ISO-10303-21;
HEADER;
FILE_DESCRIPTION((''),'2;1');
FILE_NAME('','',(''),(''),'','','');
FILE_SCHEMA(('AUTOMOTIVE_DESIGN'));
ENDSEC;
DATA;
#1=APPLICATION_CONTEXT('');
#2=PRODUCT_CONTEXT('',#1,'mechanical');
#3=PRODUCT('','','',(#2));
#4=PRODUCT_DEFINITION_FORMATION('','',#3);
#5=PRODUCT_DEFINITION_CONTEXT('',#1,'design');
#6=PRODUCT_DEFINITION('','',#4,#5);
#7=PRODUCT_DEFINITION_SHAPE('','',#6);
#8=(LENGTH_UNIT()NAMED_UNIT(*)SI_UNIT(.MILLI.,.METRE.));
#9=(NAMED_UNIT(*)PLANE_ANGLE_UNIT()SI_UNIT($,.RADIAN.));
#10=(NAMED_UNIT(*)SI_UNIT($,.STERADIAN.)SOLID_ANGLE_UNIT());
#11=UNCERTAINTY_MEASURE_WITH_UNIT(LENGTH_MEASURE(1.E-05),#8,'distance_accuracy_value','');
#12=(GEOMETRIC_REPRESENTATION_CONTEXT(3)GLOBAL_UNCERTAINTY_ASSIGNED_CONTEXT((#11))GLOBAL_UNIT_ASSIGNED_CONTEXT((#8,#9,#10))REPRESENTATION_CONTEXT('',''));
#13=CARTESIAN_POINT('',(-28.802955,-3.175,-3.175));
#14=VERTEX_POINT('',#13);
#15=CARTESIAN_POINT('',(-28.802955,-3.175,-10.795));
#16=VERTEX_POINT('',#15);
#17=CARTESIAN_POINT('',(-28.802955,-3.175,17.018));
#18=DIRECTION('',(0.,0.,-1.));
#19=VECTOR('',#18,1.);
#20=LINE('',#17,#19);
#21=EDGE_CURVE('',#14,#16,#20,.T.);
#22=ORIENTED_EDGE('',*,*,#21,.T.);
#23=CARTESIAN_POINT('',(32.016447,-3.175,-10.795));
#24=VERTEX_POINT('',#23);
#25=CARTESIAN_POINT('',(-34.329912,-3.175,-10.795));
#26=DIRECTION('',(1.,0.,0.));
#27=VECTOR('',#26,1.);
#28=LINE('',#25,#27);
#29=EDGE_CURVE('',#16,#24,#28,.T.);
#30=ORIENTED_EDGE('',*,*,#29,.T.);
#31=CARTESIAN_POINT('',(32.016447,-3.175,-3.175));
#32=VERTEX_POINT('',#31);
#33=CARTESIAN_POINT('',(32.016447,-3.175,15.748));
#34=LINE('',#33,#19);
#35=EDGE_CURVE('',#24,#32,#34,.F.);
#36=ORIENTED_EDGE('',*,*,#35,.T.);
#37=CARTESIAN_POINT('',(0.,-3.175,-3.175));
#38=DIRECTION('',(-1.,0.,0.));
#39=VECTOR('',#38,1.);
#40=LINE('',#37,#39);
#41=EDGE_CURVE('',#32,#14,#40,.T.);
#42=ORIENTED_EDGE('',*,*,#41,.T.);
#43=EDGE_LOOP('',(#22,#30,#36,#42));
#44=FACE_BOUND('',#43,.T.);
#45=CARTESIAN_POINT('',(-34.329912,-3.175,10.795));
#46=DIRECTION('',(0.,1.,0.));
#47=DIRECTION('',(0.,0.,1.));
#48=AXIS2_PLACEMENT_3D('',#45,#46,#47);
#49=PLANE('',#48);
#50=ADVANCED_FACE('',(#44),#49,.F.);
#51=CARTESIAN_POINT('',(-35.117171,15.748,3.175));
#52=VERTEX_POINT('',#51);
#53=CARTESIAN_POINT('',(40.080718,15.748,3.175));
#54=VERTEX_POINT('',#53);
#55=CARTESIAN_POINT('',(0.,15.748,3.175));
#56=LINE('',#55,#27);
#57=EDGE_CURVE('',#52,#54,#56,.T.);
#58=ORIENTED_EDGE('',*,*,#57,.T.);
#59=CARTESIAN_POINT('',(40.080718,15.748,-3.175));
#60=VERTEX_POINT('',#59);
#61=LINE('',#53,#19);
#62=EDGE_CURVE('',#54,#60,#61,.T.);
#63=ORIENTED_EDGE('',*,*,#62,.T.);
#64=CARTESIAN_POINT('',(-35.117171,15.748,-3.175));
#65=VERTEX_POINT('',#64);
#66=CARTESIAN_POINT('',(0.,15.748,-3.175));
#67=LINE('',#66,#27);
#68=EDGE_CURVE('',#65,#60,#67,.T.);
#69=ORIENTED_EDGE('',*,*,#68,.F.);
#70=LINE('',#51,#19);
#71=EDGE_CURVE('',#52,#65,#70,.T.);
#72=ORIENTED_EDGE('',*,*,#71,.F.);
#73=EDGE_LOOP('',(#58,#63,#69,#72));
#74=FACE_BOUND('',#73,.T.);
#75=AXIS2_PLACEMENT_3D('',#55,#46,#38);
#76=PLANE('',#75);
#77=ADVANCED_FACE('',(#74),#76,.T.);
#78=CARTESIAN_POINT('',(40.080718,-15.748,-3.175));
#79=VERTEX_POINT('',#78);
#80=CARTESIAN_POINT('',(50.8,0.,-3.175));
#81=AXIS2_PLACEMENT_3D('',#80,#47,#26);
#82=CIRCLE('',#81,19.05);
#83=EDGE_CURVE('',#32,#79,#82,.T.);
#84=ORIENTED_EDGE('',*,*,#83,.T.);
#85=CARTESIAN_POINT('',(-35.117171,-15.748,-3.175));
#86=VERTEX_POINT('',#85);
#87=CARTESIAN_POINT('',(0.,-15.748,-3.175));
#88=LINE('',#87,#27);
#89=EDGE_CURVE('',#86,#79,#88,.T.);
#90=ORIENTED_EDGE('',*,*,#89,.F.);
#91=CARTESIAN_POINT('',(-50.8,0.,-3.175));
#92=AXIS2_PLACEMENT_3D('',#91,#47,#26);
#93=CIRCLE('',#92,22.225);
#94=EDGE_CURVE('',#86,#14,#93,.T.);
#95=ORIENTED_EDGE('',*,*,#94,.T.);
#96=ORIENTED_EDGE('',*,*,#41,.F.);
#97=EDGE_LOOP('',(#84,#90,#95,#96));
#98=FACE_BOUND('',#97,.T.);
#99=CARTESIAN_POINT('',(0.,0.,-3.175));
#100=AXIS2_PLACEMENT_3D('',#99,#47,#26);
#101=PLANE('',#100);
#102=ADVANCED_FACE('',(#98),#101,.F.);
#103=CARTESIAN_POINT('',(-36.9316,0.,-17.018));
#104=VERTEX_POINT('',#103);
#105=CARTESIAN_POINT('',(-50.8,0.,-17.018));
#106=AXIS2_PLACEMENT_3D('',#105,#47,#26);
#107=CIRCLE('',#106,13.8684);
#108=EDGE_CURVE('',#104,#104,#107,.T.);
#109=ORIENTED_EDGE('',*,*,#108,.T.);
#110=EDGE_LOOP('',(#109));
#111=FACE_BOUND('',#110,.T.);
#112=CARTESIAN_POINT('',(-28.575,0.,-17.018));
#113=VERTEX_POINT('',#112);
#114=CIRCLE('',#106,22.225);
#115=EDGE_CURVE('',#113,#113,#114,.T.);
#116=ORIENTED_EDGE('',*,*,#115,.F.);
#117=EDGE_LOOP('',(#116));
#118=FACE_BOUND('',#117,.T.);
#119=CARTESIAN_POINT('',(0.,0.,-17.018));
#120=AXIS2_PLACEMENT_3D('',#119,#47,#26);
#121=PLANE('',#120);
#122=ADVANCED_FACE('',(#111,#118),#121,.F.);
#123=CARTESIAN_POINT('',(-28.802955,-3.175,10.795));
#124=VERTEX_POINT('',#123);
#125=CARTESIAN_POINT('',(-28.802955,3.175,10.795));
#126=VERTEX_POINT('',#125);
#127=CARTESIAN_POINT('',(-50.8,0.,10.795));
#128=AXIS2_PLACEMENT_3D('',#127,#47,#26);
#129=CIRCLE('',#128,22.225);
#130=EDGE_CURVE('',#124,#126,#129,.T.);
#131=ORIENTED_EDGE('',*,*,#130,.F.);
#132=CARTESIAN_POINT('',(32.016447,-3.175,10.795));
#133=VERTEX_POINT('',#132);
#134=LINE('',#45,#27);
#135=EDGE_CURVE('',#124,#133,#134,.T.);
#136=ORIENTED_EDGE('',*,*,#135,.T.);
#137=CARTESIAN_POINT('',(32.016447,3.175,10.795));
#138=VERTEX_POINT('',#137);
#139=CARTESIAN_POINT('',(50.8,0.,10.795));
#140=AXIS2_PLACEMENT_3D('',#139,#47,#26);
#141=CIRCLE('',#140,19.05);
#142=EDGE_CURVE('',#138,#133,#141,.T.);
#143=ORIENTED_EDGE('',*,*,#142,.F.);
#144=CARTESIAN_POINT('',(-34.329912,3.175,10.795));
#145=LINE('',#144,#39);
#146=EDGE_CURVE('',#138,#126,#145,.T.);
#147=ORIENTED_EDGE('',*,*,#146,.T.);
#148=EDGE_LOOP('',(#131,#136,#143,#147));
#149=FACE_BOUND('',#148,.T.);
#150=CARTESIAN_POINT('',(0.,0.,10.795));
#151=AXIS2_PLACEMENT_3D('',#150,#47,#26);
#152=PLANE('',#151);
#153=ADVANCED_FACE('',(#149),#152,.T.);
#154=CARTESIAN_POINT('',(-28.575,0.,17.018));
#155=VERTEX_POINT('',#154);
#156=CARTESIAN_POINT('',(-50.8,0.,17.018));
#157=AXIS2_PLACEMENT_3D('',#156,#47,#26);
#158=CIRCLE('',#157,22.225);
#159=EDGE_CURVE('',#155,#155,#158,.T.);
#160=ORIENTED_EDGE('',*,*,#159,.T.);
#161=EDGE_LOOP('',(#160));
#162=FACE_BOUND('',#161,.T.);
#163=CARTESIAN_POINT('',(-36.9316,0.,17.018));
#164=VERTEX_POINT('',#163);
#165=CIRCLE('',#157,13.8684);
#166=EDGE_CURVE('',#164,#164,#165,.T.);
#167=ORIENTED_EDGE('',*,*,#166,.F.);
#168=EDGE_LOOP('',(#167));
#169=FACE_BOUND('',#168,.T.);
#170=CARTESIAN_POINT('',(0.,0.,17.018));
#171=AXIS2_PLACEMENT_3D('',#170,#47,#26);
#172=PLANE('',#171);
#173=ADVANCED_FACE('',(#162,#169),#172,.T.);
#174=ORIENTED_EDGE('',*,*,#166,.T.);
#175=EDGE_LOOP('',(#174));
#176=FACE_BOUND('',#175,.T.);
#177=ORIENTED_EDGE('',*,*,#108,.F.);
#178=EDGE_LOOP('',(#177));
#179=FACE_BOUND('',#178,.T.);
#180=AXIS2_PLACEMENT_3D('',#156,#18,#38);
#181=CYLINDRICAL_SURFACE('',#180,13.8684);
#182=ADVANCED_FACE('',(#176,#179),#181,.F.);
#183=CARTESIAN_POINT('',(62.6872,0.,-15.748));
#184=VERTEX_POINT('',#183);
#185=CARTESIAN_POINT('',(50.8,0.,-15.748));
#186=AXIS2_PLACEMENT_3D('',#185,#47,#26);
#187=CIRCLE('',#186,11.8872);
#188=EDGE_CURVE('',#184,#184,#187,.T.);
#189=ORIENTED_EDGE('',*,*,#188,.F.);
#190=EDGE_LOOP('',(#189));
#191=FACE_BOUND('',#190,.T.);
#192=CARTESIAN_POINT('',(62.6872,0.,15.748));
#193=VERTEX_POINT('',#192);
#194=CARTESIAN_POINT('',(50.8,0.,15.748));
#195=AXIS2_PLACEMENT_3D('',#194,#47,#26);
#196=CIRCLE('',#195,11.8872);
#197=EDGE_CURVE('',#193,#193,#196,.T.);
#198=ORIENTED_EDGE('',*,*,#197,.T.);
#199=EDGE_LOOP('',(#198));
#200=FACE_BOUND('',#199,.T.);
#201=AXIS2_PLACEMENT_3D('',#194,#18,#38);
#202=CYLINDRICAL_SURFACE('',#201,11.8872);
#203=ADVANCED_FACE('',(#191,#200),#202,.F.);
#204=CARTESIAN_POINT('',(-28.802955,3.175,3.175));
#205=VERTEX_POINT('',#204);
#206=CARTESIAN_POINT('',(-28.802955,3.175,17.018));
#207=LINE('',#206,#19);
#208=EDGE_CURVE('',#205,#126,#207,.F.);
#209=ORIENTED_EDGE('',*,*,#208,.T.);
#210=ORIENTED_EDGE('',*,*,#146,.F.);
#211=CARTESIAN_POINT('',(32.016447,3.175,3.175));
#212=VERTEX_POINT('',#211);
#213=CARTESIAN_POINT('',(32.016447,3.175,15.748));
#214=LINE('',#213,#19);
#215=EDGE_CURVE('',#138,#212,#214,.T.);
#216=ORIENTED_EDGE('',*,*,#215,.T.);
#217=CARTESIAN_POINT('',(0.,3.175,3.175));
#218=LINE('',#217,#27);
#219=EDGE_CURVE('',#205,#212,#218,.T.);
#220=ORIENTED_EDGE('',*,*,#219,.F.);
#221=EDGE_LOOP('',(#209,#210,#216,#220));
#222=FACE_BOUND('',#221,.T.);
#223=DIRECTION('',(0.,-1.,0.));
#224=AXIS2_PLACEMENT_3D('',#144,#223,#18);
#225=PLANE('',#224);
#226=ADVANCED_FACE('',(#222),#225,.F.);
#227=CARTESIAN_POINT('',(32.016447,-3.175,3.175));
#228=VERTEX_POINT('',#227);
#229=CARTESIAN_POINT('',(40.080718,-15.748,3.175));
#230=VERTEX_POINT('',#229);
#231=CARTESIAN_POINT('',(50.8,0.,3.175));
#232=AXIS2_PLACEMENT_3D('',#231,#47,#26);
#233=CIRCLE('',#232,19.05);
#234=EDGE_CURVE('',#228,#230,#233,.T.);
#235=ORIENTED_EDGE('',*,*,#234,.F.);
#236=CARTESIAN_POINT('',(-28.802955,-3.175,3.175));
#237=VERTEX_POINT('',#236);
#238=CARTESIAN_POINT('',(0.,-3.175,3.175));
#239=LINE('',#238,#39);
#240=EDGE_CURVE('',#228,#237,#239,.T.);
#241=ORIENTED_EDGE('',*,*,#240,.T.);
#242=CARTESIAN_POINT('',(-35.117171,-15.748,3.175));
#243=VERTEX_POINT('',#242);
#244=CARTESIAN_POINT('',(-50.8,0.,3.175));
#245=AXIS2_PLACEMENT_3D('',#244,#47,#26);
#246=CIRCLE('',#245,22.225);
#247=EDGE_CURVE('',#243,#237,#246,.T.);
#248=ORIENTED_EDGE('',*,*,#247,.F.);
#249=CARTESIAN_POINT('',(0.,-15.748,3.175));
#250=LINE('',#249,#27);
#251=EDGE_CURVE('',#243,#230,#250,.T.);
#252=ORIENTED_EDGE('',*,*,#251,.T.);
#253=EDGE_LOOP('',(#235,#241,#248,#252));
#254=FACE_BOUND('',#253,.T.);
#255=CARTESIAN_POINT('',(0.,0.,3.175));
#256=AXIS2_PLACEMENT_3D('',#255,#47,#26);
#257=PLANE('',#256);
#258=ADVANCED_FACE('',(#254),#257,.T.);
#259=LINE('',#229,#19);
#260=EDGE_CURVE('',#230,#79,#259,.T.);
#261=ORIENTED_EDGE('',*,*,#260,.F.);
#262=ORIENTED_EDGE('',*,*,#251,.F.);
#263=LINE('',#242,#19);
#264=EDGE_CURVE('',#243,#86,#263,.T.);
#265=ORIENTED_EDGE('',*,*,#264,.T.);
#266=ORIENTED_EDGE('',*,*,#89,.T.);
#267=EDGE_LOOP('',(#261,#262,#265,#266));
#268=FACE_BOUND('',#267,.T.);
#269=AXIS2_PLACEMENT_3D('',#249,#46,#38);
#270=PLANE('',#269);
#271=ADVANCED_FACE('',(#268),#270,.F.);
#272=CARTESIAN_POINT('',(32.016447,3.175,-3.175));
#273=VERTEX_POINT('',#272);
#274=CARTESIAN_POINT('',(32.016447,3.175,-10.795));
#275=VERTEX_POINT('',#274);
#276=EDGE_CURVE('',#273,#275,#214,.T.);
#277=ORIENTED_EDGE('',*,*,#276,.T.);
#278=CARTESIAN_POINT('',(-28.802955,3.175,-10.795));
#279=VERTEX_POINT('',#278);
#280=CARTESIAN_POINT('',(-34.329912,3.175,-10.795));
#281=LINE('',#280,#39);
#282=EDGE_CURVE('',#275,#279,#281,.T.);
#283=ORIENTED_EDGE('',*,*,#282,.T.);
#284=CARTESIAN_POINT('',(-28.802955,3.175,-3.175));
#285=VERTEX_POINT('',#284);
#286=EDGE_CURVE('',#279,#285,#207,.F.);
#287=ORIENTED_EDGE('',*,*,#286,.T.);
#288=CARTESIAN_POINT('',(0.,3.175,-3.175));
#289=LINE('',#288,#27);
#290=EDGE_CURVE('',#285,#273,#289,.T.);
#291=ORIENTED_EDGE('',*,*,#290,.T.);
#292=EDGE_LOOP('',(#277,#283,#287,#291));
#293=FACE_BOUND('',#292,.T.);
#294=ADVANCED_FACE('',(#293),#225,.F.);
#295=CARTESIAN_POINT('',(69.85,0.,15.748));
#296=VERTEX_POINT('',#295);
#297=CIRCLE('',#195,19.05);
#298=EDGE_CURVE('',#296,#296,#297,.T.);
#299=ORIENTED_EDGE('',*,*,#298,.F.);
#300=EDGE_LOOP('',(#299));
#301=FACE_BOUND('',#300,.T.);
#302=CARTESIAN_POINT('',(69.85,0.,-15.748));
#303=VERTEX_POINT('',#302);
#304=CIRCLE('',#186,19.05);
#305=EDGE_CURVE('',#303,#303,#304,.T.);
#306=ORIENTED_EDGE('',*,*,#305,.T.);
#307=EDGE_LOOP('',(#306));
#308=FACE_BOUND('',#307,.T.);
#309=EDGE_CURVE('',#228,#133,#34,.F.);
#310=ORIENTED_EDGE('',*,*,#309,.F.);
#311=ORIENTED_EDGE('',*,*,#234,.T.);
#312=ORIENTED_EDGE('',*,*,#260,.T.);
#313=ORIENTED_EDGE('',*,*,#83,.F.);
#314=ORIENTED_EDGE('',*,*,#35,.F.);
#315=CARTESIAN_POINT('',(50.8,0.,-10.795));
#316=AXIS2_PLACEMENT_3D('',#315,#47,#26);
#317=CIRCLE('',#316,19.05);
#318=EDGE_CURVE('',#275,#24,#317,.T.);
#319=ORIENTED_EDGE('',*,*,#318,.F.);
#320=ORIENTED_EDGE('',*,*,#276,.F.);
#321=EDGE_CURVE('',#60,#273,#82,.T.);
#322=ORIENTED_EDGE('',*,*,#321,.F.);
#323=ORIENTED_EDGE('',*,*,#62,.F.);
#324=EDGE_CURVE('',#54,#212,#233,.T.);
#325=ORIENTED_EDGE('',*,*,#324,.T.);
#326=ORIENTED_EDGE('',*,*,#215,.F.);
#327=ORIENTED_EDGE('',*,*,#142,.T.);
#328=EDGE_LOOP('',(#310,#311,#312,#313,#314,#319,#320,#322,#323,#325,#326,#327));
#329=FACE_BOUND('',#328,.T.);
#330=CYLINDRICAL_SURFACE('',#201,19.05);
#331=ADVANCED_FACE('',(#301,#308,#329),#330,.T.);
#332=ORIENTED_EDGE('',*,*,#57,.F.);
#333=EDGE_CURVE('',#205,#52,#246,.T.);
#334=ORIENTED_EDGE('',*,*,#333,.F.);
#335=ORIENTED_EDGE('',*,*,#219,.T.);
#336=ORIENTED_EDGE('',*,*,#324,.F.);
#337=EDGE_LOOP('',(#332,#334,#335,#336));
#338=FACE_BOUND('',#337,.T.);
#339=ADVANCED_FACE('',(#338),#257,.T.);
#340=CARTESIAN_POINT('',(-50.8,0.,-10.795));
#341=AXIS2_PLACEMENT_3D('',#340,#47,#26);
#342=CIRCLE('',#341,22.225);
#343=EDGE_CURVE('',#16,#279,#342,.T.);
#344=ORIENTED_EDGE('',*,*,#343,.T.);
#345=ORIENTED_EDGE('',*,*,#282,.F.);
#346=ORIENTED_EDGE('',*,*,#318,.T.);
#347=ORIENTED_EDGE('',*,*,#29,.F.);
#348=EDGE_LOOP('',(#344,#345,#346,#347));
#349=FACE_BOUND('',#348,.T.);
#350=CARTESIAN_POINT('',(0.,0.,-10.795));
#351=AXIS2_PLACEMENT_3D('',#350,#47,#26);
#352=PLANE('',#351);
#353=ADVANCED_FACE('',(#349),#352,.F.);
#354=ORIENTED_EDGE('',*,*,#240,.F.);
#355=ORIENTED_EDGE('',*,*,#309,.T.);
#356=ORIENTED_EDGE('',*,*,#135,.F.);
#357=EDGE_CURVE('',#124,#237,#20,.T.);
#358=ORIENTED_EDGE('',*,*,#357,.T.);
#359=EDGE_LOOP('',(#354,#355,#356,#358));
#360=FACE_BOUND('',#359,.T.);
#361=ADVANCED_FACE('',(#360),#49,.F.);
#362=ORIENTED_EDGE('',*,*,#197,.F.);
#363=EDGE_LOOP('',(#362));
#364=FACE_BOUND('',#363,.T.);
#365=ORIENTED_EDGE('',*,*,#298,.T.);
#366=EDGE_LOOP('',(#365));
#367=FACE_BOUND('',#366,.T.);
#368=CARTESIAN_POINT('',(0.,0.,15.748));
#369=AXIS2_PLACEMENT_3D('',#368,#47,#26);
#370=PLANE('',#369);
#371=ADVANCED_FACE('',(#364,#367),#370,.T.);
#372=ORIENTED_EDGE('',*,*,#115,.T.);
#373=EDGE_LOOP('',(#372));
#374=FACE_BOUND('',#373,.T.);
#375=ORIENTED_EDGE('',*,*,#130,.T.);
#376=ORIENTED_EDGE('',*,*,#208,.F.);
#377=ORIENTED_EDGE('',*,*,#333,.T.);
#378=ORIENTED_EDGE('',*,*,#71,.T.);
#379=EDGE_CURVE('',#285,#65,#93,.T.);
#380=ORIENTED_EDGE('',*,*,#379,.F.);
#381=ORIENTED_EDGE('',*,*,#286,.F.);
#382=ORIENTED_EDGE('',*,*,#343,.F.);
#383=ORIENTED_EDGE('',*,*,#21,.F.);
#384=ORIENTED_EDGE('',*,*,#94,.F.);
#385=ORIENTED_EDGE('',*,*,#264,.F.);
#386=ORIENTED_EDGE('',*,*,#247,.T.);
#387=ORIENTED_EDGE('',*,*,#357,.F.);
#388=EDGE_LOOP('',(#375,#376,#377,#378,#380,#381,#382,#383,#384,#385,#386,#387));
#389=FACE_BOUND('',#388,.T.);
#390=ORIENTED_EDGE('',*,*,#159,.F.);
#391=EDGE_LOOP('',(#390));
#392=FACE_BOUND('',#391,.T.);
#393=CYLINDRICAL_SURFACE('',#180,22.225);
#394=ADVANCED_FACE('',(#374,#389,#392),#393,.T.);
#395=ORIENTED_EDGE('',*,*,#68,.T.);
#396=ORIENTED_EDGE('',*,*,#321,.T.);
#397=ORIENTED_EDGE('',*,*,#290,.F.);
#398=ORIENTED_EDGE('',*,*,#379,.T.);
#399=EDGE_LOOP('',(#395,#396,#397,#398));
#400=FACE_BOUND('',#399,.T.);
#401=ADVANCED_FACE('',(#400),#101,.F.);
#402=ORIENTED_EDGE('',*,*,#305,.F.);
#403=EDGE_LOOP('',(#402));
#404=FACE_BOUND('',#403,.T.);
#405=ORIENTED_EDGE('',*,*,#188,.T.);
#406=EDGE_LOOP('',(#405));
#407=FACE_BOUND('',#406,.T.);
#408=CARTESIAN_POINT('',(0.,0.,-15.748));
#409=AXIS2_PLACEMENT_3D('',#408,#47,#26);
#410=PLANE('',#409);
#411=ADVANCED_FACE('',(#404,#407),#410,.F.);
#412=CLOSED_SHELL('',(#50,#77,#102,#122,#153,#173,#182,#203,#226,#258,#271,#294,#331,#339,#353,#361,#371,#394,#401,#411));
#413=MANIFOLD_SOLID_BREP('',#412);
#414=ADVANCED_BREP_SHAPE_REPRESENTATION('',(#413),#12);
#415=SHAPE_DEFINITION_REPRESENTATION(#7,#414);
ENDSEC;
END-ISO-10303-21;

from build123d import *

# Parameters (mm, degrees)
SKETCH1_R           = 13.8684
BOSS_EXTRUDE1_DEPTH = 17.018
SKETCH1_3_R         = 11.8872
BOSS_EXTRUDE2_DEPTH = 15.748
BOSS_EXTRUDE3_DEPTH = 3.175
SKETCH3_W           = 68.65982448
SKETCH3_H           = 6.35
BOSS_EXTRUDE5_DEPTH = 10.795


with BuildPart() as part:
    # Sketch1 → Boss-Extrude1 (new, symmetric)
    with BuildSketch(Plane.XY):
        with BuildLine():
            ThreePointArc((-28.575, 0), (-30.275606021, 8.526422275), (-35.117171142, 15.748))
            ThreePointArc((-35.117171142, 15.748), (-73.025, 0), (-35.117171142, -15.748))
            ThreePointArc((-35.117171142, -15.748), (-30.275606021, -8.526422275), (-28.575, 0))
        make_face()
        with Locations((-50.8, 0)):
            Circle(SKETCH1_R, mode=Mode.SUBTRACT)
    extrude(amount=BOSS_EXTRUDE1_DEPTH, both=True)



with BuildPart() as body_2:
    # Sketch1<3> → Boss-Extrude2 (new, symmetric)
    with BuildSketch(Plane.XY):
        with BuildLine():
            ThreePointArc((69.85, 0), (59.707866953, 16.839014411), (40.080718494, 15.748))
            ThreePointArc((40.080718494, 15.748), (31.75, 0), (40.080718494, -15.748))
            ThreePointArc((40.080718494, -15.748), (59.707866953, -16.839014411), (69.85, 0))
        make_face()
        with Locations((50.8, 0)):
            Circle(SKETCH1_3_R, mode=Mode.SUBTRACT)
    extrude(amount=BOSS_EXTRUDE2_DEPTH, both=True)


with BuildPart() as part_1:
    add(part.part)

    add(body_2.part)  # Boss-Extrude3 merges body 2
    # Sketch1<4> → Boss-Extrude3 (add, symmetric)
    with BuildSketch(Plane.XY):
        with BuildLine():
            Line((40.080718494, 15.748), (-35.117171142, 15.748))
            ThreePointArc((-35.117171142, 15.748), (-30.275606021, 8.526422275), (-28.575, 0))
            ThreePointArc((-28.575, 0), (-30.275606021, -8.526422275), (-35.117171142, -15.748))
            Line((-35.117171142, -15.748), (40.080718494, -15.748))
            ThreePointArc((40.080718494, -15.748), (31.75, 0), (40.080718494, 15.748))
        make_face()
    extrude(amount=BOSS_EXTRUDE3_DEPTH, both=True)

    # Sketch3 → Boss-Extrude5 (add, symmetric)
    with BuildSketch(Plane.XY):
        Rectangle(SKETCH3_W, SKETCH3_H)
    extrude(amount=BOSS_EXTRUDE5_DEPTH, both=True)


solid = part_1.part
